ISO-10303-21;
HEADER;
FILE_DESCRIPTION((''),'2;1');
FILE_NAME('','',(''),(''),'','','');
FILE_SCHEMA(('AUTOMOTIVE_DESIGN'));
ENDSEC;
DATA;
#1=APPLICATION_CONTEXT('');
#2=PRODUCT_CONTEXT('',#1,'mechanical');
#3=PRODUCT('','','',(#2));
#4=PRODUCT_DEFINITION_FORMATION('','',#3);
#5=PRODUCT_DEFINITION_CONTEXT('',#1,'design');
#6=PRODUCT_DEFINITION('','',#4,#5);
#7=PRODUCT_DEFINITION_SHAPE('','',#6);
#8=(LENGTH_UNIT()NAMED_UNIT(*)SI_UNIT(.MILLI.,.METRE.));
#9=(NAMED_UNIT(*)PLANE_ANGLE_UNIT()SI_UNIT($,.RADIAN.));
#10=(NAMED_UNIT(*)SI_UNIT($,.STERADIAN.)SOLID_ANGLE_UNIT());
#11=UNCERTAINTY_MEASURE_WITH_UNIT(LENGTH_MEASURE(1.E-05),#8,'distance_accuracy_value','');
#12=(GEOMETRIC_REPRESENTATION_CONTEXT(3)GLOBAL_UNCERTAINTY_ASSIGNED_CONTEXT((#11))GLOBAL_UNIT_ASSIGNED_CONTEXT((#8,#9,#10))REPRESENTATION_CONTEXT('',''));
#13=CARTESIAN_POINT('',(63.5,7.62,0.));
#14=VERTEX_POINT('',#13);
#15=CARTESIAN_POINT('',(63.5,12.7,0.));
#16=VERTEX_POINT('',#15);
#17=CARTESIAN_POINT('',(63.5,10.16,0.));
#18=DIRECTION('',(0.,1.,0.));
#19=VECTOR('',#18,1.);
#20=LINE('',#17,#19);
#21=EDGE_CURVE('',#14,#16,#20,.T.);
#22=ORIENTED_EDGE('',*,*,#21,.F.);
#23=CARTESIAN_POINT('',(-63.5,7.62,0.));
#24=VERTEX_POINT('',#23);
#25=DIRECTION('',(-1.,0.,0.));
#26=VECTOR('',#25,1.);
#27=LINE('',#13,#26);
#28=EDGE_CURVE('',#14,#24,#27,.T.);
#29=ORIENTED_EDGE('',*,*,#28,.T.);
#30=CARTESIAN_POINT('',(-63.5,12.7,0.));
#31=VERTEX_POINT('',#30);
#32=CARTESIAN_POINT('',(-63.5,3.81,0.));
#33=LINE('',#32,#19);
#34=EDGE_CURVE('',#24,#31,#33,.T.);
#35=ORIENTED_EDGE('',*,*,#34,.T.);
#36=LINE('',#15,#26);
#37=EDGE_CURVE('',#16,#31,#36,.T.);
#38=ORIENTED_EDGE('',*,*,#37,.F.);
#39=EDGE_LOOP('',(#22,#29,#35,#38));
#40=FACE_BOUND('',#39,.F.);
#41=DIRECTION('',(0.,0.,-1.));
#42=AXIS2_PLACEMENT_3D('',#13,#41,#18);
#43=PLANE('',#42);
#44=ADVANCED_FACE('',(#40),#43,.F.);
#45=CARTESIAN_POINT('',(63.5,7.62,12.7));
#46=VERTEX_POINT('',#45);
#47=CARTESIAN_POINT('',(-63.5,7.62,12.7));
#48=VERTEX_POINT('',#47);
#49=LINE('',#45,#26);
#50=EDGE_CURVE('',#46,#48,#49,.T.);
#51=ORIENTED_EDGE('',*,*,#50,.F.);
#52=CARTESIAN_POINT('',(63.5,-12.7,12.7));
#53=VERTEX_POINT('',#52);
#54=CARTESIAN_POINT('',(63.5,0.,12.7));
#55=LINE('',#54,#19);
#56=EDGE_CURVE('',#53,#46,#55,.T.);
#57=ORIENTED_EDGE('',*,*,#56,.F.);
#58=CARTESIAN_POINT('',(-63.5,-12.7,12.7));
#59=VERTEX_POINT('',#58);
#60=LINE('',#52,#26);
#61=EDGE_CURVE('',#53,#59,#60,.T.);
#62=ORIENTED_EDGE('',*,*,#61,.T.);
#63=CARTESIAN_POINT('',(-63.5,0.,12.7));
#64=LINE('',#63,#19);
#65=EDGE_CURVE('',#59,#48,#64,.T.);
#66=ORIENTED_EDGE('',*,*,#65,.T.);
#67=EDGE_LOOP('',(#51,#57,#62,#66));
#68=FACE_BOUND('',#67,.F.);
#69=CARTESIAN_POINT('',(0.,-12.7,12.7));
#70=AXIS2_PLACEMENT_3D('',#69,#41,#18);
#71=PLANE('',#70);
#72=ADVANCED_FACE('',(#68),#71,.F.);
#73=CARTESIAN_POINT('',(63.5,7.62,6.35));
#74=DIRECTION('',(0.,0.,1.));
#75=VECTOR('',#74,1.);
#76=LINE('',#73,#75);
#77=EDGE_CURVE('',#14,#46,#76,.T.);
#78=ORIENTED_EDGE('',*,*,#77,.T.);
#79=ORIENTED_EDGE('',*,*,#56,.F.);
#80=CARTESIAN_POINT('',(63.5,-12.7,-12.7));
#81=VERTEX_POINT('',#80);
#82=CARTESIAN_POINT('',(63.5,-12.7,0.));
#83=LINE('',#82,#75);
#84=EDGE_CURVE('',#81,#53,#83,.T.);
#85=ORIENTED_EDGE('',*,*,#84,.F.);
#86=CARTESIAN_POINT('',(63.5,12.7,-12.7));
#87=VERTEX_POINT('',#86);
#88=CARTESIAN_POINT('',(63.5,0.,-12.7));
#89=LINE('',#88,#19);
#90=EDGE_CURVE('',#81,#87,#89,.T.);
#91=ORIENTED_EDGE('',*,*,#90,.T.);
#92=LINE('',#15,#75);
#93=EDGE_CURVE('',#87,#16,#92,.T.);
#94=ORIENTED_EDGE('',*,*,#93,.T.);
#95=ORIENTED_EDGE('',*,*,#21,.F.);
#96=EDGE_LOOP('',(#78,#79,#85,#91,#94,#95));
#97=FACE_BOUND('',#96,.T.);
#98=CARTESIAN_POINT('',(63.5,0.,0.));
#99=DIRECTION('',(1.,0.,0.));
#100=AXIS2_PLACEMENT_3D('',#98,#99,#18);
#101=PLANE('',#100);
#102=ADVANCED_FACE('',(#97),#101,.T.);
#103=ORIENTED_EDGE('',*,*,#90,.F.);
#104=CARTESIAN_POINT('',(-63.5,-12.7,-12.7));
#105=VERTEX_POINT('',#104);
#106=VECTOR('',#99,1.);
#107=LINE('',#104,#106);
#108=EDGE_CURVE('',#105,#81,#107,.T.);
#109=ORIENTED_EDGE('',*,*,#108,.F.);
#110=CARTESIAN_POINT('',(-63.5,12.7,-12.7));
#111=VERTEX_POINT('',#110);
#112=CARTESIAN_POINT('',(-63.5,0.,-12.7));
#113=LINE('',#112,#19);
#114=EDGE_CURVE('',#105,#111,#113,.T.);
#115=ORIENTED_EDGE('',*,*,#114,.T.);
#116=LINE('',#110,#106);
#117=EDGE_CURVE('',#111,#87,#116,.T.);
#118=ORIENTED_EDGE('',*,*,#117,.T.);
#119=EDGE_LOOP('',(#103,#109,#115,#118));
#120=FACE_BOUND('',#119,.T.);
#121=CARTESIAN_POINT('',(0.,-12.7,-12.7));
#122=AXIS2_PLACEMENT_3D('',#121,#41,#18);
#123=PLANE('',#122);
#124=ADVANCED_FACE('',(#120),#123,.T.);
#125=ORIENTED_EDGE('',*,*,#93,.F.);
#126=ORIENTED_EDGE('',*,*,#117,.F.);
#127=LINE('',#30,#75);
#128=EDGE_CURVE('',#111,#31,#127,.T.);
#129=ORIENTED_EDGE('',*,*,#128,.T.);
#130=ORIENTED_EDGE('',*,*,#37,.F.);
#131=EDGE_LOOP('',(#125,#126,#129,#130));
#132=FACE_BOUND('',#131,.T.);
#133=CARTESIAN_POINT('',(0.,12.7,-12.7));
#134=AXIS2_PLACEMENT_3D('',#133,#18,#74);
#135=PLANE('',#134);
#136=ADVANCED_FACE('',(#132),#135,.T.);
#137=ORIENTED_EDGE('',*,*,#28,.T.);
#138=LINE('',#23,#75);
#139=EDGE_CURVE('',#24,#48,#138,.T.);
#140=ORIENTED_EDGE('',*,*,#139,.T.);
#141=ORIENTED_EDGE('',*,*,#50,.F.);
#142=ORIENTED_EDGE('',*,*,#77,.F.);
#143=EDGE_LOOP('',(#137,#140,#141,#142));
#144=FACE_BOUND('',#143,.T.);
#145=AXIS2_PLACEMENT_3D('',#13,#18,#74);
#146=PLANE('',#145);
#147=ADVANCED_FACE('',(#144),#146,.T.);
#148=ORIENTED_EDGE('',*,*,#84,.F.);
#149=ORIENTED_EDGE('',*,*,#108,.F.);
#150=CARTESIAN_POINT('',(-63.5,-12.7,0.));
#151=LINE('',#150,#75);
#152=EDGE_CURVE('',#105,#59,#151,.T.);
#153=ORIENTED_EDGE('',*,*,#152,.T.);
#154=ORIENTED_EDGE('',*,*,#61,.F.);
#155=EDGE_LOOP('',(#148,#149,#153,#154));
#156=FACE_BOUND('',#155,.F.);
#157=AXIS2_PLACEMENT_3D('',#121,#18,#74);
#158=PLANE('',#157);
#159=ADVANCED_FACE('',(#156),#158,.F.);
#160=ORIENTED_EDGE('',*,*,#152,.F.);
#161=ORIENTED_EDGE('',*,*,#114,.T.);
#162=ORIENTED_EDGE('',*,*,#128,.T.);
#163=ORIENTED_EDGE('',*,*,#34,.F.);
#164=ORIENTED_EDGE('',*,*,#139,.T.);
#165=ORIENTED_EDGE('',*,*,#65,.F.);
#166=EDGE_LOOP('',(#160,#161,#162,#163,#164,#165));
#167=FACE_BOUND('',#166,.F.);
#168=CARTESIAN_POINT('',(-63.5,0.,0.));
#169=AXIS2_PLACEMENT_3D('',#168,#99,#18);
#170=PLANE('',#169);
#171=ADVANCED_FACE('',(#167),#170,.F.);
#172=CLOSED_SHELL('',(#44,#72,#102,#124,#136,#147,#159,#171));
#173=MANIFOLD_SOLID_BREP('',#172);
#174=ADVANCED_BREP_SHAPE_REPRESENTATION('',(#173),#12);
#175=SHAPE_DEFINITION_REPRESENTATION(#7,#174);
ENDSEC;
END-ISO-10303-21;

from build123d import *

# Parameters (mm, degrees)
F0_W     = 25.4
F0_H     = 25.4
F1_DEPTH = 63.5
F2_W     = 5.08
F2_H     = 12.7
F3_DEPTH = 127.001


with BuildPart() as f1:
    # F0 (on Right) → F1 (new body, symmetric)
    with BuildSketch(Plane.YZ):
        Rectangle(F0_W, F0_H)
    extrude(amount=F1_DEPTH, both=True)

    # F2 (on face) → F3 (cut, through all)
    with BuildSketch(Plane.YZ.offset(63.5)):
        with Locations((10.16, 6.35)):
            Rectangle(F2_W, F2_H)
    extrude(amount=-F3_DEPTH, mode=Mode.SUBTRACT)


solid = f1.part
